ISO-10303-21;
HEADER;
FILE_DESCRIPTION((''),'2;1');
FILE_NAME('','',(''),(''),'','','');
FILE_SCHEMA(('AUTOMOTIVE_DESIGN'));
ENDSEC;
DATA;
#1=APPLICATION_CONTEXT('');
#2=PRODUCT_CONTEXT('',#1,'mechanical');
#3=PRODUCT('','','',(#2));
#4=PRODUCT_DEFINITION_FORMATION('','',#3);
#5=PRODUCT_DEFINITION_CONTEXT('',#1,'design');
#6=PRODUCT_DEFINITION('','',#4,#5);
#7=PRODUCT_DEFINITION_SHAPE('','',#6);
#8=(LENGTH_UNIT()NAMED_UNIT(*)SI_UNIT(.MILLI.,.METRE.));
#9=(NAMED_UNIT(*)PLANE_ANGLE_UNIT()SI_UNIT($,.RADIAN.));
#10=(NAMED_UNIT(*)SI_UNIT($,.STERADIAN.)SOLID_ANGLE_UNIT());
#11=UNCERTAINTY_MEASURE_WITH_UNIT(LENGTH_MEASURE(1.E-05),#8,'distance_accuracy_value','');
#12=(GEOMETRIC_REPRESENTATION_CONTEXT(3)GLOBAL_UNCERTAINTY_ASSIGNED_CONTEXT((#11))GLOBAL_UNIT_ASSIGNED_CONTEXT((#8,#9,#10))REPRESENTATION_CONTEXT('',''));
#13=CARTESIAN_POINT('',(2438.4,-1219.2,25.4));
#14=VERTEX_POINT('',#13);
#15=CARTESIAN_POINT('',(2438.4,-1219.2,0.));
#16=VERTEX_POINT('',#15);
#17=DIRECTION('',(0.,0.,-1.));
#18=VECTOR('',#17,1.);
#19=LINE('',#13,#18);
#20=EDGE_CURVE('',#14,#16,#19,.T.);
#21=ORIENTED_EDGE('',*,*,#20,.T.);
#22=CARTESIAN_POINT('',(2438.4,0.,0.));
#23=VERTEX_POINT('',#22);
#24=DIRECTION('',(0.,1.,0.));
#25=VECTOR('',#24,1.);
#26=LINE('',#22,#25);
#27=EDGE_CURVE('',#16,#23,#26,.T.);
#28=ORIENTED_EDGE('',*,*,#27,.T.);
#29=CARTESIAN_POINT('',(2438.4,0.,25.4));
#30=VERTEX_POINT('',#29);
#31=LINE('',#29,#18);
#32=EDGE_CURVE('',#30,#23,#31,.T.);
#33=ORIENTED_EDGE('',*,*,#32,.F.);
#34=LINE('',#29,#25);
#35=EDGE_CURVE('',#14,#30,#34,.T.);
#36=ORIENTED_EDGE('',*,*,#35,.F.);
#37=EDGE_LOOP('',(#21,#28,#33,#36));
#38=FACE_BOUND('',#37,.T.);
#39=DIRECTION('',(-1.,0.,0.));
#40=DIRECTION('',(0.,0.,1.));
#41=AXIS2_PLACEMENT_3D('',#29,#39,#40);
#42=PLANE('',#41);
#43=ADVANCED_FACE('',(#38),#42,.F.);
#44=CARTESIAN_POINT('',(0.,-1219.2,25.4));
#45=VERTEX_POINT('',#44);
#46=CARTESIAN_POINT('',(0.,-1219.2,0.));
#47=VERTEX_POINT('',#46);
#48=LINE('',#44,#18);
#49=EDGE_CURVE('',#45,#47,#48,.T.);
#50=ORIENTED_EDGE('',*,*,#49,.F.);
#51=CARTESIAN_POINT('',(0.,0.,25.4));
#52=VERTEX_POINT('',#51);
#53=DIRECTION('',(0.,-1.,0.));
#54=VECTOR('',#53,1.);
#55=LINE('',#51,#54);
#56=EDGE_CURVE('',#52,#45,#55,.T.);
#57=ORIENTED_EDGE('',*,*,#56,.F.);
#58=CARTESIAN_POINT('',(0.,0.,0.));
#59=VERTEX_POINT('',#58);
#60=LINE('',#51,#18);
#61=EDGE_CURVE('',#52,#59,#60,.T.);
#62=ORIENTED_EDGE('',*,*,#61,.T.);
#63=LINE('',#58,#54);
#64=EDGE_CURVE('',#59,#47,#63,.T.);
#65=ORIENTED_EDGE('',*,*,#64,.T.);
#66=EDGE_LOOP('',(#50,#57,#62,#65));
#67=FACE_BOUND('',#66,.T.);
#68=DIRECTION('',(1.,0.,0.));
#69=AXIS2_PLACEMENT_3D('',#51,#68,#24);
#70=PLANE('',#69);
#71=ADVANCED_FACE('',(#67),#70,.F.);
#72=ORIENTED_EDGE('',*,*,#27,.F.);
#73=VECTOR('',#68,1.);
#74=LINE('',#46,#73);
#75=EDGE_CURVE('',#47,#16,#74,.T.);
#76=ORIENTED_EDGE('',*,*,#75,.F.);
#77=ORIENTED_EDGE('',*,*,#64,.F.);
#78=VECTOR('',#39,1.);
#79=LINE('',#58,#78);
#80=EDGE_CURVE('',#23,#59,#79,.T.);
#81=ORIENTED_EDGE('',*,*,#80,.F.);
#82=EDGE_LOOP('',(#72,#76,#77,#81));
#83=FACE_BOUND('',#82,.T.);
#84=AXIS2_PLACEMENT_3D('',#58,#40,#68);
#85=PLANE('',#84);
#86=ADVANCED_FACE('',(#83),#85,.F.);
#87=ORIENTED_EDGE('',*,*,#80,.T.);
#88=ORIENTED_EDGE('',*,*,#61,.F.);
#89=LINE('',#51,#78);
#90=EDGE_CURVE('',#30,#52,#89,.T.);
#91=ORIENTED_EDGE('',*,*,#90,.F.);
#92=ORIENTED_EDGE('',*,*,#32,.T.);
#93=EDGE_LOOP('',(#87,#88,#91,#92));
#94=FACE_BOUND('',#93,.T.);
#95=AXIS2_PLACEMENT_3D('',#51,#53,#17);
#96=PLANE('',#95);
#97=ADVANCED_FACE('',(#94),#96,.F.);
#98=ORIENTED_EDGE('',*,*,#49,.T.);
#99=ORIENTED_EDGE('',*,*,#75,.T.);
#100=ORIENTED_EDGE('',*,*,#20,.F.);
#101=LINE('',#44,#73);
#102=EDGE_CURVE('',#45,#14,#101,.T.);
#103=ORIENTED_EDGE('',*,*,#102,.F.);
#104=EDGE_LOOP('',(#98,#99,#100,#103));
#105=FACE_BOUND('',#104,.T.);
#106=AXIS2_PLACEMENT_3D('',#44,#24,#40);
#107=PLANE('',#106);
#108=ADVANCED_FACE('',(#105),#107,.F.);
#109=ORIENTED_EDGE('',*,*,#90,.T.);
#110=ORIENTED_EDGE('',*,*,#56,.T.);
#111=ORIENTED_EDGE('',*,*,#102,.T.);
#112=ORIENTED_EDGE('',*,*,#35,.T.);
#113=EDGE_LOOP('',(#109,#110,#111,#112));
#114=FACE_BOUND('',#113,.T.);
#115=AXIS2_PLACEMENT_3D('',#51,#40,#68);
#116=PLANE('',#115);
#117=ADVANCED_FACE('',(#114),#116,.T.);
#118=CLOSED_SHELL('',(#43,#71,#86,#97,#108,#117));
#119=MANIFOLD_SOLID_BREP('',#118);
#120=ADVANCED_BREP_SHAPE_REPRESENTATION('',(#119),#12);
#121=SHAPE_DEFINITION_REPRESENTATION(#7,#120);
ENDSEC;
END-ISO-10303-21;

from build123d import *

# Parameters (mm, degrees)
SKETCH1_W           = 2438.4
SKETCH1_H           = 1219.2
BOSS_EXTRUDE1_DEPTH = 25.4


with BuildPart() as part:
    # Sketch1 → Boss-Extrude1 (new body)
    with BuildSketch(Plane.XY):
        with Locations((1219.2, -609.6)):
            Rectangle(SKETCH1_W, SKETCH1_H)
    extrude(amount=BOSS_EXTRUDE1_DEPTH)


solid = part.part
